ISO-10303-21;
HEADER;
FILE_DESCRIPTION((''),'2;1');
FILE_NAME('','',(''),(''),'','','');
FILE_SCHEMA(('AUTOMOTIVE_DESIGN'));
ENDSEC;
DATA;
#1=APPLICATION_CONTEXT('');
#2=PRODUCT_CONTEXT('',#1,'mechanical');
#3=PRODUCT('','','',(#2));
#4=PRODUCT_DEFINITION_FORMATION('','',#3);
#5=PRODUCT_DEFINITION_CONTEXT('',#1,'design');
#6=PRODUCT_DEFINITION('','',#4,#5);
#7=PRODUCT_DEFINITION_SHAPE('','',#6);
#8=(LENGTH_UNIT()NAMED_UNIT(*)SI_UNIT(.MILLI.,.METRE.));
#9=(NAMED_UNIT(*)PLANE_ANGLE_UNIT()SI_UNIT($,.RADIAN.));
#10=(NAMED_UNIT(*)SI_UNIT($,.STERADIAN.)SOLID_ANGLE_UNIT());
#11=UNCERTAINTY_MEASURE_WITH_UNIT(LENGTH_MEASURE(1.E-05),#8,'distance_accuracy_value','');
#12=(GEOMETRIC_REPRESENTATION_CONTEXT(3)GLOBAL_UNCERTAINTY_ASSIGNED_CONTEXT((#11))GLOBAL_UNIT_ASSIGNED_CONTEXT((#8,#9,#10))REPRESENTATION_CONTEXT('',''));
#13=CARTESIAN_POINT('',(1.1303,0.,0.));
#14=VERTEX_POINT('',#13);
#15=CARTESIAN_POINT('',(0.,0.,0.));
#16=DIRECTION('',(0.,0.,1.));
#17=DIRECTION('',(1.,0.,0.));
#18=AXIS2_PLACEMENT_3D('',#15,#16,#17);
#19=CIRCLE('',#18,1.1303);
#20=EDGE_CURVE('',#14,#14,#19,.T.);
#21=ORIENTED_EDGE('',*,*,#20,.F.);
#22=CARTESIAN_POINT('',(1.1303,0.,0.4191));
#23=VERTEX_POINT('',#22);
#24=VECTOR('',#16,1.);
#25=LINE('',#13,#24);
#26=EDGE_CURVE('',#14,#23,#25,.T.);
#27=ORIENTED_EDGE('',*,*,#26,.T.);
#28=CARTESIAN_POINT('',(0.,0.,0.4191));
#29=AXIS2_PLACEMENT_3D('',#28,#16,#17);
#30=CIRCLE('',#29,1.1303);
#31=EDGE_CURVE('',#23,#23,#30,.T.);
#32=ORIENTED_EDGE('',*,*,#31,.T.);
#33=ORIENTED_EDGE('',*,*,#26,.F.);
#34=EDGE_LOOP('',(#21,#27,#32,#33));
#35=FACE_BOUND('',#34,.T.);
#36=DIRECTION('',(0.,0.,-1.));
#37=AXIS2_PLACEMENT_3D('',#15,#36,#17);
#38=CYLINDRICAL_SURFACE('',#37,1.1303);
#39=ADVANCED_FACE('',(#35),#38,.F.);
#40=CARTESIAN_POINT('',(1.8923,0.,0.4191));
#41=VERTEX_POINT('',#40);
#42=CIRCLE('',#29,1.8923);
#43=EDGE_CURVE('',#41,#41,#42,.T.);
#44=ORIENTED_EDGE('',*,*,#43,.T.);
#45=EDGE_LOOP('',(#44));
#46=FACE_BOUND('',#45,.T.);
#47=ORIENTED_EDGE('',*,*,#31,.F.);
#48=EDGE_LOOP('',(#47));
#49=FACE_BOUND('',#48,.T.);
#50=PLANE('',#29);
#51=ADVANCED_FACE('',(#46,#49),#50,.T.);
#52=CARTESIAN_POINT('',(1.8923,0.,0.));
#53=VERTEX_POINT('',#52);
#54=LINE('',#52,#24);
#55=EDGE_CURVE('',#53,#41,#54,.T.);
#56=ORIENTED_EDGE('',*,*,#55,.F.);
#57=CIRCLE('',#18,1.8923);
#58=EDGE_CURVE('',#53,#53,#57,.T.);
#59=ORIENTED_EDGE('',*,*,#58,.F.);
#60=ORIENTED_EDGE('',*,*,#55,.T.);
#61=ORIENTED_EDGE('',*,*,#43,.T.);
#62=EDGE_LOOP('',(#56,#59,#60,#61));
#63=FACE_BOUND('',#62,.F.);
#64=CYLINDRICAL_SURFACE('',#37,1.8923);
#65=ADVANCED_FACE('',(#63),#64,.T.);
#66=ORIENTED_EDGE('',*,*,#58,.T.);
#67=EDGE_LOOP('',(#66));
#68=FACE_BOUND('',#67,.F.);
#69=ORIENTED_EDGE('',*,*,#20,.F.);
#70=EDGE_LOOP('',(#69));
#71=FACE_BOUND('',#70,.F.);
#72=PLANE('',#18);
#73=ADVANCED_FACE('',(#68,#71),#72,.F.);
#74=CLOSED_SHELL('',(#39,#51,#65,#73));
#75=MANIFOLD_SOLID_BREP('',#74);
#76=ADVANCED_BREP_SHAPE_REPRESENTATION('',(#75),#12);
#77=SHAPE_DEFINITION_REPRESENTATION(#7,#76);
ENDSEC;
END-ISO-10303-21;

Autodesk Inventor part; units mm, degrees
ref_plane "YZ Plane" through (0, 0, 0) normal (1, 0, 0) x (0, 1, 0)
ref_plane "XZ Plane" through (0, 0, 0) normal (0, 1, 0) x (-1, 0, 0)
ref_plane "XY Plane" through (0, 0, 0) normal (0, 0, 1) x (1, 0, 0)
sketch "Sketch1" plane through (0, 0, 0) normal (0, 0, 1) x (1, 0, 0)
  circle A0 centre (0, 0) radius 1.1303
  circle A1 centre (0, 0) radius 1.8923
  dimension "d0" = 2.2606
  dimension "d1" = 3.7846
extrude "Extrusion1" add sketch "Sketch1" along normal blind 0.4191
properties part number "washer_nas620c2" material "Stainless Steel"
